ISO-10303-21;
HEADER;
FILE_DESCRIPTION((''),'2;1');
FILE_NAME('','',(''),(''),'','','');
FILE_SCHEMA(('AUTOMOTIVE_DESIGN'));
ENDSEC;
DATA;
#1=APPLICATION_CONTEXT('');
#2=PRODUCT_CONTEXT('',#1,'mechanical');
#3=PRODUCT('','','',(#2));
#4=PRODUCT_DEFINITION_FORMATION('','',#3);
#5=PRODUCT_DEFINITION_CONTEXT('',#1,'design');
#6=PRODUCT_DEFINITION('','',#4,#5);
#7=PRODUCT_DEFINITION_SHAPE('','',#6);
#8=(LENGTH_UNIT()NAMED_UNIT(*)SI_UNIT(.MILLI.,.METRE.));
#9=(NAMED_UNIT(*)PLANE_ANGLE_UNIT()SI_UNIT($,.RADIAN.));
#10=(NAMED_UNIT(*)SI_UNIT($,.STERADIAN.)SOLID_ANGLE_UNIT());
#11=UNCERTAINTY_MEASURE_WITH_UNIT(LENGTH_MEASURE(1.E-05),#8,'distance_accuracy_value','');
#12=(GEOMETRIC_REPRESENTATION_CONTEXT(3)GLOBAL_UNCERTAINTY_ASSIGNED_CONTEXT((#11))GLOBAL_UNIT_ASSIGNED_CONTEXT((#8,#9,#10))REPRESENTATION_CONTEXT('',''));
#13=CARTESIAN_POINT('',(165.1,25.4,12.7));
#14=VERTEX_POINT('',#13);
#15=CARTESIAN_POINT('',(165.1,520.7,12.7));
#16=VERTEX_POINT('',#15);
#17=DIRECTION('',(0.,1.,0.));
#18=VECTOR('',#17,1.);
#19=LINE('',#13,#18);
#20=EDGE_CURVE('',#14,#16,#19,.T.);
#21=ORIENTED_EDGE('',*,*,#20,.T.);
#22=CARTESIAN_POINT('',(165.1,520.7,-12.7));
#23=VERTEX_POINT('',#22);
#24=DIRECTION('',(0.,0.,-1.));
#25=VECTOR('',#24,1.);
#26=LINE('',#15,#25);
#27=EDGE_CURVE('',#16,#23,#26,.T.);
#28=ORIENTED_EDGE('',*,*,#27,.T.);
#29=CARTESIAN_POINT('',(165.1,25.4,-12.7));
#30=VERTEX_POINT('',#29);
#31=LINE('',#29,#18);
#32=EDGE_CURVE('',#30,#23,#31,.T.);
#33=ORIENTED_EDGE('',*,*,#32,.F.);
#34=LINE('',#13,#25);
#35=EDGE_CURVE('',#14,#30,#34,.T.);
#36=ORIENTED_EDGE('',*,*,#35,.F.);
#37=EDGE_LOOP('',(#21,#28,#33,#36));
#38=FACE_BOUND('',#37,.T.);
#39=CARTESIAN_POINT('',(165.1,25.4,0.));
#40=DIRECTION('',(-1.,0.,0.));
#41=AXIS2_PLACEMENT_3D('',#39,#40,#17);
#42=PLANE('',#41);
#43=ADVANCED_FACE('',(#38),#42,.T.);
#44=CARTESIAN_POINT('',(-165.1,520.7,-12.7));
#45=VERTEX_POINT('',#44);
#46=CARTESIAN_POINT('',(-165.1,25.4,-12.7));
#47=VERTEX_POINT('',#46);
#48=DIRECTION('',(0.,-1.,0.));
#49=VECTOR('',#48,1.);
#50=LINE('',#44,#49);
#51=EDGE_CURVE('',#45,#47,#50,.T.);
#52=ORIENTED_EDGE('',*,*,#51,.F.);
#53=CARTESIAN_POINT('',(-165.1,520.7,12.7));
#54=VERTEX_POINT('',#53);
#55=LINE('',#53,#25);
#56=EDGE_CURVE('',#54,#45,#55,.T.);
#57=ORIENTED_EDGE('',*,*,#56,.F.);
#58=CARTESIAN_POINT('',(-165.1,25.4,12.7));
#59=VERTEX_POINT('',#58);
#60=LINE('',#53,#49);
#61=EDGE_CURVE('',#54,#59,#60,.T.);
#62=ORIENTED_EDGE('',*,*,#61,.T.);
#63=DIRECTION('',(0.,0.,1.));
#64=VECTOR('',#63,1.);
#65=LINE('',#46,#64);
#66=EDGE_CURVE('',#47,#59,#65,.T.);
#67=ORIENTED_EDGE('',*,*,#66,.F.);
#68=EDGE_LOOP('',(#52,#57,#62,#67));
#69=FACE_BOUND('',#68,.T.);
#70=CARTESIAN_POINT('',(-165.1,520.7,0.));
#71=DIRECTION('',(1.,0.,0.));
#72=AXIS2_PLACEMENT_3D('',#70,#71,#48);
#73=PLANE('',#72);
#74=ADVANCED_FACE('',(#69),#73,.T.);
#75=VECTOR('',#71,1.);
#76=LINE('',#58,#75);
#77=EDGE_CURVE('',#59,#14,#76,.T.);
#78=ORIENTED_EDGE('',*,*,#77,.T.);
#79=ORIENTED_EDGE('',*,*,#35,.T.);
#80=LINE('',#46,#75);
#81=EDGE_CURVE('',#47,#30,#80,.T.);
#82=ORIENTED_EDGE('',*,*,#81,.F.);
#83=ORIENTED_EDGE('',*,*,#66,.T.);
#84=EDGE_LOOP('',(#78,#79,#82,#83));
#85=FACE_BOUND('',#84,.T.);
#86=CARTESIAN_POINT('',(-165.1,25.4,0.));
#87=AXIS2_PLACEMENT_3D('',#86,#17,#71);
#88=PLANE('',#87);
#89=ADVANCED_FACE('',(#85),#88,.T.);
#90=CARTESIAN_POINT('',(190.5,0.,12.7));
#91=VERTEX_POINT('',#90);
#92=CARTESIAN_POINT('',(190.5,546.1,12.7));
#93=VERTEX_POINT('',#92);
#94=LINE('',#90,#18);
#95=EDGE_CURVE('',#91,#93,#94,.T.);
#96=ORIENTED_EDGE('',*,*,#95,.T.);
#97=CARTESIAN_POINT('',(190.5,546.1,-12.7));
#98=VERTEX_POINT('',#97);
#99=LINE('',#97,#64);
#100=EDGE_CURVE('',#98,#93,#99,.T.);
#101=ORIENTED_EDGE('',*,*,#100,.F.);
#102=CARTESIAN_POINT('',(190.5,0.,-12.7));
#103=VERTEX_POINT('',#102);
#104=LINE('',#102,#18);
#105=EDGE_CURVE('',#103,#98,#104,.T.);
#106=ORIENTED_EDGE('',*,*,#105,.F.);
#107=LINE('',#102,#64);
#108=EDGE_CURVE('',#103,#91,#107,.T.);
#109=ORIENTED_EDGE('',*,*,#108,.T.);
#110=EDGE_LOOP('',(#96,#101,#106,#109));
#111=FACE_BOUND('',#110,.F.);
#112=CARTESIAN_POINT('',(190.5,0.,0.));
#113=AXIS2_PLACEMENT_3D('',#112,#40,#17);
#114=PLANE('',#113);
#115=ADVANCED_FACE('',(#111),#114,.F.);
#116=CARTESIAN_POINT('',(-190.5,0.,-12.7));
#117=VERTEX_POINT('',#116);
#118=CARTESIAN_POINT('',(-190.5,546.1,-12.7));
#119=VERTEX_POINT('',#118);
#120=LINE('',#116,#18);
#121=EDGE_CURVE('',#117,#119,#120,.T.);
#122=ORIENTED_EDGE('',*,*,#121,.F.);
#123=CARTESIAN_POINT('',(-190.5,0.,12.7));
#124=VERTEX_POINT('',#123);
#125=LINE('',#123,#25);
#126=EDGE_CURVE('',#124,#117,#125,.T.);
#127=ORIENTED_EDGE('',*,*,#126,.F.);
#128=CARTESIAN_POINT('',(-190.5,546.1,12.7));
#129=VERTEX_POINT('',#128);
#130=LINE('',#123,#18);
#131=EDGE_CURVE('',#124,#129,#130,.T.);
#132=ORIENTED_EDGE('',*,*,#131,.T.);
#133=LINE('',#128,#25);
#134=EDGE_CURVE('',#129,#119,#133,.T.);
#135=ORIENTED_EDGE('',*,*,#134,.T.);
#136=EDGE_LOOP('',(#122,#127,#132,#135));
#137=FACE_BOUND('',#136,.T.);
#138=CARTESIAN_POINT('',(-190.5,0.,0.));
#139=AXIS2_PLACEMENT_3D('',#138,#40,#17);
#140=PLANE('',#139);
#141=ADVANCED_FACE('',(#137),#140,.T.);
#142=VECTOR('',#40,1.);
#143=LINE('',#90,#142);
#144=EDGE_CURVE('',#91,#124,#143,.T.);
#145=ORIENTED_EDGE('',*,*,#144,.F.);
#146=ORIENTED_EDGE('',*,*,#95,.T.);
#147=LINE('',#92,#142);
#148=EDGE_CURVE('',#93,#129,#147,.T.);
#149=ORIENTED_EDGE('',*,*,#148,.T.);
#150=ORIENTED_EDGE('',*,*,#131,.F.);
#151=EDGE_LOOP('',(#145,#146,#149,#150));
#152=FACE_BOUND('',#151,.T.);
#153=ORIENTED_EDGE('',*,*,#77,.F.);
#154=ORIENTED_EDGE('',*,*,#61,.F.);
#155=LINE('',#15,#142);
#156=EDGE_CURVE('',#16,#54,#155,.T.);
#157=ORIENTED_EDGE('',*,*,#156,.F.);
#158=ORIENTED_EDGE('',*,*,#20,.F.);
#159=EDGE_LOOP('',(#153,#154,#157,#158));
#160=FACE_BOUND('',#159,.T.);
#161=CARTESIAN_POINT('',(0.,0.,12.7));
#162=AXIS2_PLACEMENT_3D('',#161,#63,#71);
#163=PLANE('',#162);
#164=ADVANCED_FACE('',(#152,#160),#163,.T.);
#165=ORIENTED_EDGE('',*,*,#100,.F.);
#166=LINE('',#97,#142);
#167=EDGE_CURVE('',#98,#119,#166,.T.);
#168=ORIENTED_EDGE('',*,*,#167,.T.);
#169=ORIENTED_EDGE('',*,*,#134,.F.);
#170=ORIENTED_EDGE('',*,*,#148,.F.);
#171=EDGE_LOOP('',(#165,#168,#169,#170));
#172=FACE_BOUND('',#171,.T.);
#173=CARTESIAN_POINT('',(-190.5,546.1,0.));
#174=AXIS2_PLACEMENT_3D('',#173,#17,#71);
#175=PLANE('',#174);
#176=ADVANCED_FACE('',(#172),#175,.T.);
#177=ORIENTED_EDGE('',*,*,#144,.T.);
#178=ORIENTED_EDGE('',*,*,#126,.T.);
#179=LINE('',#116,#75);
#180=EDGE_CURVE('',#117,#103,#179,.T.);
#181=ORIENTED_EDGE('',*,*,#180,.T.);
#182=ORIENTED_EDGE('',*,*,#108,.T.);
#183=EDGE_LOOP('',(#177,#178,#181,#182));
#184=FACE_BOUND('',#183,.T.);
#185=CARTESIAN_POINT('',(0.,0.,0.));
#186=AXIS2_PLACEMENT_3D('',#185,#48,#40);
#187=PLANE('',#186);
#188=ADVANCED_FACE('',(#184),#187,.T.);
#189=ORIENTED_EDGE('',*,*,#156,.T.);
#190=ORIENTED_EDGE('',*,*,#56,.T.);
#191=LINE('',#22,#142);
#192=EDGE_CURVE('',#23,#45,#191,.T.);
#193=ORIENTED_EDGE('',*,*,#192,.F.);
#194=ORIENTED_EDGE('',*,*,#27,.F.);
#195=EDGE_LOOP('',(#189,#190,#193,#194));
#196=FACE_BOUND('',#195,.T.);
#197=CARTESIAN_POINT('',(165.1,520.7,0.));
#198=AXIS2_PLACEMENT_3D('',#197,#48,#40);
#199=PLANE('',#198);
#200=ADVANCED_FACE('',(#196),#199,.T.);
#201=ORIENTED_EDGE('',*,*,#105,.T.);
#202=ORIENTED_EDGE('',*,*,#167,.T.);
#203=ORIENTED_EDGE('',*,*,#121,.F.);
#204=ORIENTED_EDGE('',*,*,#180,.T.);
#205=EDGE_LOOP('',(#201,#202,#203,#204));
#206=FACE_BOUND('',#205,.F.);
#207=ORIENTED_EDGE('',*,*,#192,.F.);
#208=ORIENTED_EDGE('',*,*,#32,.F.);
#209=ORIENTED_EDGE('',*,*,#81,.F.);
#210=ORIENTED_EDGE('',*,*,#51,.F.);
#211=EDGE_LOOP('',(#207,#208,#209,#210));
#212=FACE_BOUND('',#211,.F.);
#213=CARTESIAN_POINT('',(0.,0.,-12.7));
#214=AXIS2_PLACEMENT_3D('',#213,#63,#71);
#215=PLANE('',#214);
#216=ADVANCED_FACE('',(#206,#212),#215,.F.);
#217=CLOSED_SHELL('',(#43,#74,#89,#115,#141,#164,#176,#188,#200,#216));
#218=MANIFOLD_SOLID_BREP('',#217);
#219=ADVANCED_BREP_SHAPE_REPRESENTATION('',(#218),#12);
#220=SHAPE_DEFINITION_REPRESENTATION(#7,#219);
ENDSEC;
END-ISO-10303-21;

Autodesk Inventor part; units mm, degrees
ref_plane "YZ Plane" through (0, 0, 0) normal (1, 0, 0) x (0, 1, 0)
ref_plane "XZ Plane" through (0, 0, 0) normal (0, 1, 0) x (-1, 0, 0)
ref_plane "XY Plane" through (0, 0, 0) normal (0, 0, 1) x (1, 0, 0)
sketch "Sketch1" plane through (0, 0, 0) normal (0, 0, 1) x (1, 0, 0)
  line L0 (0, 0) -> (190.5, 0)
  line L1 (190.5, 0) -> (190.5, 546.1)
  line L2 (190.5, 546.1) -> (0, 546.1)
  line L3 (0, 0) -> (0, 546.1) construction
  line L4 (0, 0) -> (-190.5, 0)
  line L5 (-190.5, 0) -> (-190.5, 546.1)
  line L6 (-190.5, 546.1) -> (0, 546.1)
  line L7 (-165.1, 25.4) -> (165.1, 25.4)
  line L8 (165.1, 25.4) -> (165.1, 520.7)
  line L9 (165.1, 520.7) -> (-165.1, 520.7)
  line L10 (-165.1, 520.7) -> (-165.1, 25.4)
  dimension "d1" = 546.1
  dimension "d2" = 381
  dimension "d3" = 25.4
  dimension "d4" = 25.4
  dimension "d5" = 25.4
  dimension "d6" = 25.4
extrude "Extrusion1" add sketch "Sketch1" along normal mid plane 25.4
properties part number "primative3rdStageForShortRobot"
